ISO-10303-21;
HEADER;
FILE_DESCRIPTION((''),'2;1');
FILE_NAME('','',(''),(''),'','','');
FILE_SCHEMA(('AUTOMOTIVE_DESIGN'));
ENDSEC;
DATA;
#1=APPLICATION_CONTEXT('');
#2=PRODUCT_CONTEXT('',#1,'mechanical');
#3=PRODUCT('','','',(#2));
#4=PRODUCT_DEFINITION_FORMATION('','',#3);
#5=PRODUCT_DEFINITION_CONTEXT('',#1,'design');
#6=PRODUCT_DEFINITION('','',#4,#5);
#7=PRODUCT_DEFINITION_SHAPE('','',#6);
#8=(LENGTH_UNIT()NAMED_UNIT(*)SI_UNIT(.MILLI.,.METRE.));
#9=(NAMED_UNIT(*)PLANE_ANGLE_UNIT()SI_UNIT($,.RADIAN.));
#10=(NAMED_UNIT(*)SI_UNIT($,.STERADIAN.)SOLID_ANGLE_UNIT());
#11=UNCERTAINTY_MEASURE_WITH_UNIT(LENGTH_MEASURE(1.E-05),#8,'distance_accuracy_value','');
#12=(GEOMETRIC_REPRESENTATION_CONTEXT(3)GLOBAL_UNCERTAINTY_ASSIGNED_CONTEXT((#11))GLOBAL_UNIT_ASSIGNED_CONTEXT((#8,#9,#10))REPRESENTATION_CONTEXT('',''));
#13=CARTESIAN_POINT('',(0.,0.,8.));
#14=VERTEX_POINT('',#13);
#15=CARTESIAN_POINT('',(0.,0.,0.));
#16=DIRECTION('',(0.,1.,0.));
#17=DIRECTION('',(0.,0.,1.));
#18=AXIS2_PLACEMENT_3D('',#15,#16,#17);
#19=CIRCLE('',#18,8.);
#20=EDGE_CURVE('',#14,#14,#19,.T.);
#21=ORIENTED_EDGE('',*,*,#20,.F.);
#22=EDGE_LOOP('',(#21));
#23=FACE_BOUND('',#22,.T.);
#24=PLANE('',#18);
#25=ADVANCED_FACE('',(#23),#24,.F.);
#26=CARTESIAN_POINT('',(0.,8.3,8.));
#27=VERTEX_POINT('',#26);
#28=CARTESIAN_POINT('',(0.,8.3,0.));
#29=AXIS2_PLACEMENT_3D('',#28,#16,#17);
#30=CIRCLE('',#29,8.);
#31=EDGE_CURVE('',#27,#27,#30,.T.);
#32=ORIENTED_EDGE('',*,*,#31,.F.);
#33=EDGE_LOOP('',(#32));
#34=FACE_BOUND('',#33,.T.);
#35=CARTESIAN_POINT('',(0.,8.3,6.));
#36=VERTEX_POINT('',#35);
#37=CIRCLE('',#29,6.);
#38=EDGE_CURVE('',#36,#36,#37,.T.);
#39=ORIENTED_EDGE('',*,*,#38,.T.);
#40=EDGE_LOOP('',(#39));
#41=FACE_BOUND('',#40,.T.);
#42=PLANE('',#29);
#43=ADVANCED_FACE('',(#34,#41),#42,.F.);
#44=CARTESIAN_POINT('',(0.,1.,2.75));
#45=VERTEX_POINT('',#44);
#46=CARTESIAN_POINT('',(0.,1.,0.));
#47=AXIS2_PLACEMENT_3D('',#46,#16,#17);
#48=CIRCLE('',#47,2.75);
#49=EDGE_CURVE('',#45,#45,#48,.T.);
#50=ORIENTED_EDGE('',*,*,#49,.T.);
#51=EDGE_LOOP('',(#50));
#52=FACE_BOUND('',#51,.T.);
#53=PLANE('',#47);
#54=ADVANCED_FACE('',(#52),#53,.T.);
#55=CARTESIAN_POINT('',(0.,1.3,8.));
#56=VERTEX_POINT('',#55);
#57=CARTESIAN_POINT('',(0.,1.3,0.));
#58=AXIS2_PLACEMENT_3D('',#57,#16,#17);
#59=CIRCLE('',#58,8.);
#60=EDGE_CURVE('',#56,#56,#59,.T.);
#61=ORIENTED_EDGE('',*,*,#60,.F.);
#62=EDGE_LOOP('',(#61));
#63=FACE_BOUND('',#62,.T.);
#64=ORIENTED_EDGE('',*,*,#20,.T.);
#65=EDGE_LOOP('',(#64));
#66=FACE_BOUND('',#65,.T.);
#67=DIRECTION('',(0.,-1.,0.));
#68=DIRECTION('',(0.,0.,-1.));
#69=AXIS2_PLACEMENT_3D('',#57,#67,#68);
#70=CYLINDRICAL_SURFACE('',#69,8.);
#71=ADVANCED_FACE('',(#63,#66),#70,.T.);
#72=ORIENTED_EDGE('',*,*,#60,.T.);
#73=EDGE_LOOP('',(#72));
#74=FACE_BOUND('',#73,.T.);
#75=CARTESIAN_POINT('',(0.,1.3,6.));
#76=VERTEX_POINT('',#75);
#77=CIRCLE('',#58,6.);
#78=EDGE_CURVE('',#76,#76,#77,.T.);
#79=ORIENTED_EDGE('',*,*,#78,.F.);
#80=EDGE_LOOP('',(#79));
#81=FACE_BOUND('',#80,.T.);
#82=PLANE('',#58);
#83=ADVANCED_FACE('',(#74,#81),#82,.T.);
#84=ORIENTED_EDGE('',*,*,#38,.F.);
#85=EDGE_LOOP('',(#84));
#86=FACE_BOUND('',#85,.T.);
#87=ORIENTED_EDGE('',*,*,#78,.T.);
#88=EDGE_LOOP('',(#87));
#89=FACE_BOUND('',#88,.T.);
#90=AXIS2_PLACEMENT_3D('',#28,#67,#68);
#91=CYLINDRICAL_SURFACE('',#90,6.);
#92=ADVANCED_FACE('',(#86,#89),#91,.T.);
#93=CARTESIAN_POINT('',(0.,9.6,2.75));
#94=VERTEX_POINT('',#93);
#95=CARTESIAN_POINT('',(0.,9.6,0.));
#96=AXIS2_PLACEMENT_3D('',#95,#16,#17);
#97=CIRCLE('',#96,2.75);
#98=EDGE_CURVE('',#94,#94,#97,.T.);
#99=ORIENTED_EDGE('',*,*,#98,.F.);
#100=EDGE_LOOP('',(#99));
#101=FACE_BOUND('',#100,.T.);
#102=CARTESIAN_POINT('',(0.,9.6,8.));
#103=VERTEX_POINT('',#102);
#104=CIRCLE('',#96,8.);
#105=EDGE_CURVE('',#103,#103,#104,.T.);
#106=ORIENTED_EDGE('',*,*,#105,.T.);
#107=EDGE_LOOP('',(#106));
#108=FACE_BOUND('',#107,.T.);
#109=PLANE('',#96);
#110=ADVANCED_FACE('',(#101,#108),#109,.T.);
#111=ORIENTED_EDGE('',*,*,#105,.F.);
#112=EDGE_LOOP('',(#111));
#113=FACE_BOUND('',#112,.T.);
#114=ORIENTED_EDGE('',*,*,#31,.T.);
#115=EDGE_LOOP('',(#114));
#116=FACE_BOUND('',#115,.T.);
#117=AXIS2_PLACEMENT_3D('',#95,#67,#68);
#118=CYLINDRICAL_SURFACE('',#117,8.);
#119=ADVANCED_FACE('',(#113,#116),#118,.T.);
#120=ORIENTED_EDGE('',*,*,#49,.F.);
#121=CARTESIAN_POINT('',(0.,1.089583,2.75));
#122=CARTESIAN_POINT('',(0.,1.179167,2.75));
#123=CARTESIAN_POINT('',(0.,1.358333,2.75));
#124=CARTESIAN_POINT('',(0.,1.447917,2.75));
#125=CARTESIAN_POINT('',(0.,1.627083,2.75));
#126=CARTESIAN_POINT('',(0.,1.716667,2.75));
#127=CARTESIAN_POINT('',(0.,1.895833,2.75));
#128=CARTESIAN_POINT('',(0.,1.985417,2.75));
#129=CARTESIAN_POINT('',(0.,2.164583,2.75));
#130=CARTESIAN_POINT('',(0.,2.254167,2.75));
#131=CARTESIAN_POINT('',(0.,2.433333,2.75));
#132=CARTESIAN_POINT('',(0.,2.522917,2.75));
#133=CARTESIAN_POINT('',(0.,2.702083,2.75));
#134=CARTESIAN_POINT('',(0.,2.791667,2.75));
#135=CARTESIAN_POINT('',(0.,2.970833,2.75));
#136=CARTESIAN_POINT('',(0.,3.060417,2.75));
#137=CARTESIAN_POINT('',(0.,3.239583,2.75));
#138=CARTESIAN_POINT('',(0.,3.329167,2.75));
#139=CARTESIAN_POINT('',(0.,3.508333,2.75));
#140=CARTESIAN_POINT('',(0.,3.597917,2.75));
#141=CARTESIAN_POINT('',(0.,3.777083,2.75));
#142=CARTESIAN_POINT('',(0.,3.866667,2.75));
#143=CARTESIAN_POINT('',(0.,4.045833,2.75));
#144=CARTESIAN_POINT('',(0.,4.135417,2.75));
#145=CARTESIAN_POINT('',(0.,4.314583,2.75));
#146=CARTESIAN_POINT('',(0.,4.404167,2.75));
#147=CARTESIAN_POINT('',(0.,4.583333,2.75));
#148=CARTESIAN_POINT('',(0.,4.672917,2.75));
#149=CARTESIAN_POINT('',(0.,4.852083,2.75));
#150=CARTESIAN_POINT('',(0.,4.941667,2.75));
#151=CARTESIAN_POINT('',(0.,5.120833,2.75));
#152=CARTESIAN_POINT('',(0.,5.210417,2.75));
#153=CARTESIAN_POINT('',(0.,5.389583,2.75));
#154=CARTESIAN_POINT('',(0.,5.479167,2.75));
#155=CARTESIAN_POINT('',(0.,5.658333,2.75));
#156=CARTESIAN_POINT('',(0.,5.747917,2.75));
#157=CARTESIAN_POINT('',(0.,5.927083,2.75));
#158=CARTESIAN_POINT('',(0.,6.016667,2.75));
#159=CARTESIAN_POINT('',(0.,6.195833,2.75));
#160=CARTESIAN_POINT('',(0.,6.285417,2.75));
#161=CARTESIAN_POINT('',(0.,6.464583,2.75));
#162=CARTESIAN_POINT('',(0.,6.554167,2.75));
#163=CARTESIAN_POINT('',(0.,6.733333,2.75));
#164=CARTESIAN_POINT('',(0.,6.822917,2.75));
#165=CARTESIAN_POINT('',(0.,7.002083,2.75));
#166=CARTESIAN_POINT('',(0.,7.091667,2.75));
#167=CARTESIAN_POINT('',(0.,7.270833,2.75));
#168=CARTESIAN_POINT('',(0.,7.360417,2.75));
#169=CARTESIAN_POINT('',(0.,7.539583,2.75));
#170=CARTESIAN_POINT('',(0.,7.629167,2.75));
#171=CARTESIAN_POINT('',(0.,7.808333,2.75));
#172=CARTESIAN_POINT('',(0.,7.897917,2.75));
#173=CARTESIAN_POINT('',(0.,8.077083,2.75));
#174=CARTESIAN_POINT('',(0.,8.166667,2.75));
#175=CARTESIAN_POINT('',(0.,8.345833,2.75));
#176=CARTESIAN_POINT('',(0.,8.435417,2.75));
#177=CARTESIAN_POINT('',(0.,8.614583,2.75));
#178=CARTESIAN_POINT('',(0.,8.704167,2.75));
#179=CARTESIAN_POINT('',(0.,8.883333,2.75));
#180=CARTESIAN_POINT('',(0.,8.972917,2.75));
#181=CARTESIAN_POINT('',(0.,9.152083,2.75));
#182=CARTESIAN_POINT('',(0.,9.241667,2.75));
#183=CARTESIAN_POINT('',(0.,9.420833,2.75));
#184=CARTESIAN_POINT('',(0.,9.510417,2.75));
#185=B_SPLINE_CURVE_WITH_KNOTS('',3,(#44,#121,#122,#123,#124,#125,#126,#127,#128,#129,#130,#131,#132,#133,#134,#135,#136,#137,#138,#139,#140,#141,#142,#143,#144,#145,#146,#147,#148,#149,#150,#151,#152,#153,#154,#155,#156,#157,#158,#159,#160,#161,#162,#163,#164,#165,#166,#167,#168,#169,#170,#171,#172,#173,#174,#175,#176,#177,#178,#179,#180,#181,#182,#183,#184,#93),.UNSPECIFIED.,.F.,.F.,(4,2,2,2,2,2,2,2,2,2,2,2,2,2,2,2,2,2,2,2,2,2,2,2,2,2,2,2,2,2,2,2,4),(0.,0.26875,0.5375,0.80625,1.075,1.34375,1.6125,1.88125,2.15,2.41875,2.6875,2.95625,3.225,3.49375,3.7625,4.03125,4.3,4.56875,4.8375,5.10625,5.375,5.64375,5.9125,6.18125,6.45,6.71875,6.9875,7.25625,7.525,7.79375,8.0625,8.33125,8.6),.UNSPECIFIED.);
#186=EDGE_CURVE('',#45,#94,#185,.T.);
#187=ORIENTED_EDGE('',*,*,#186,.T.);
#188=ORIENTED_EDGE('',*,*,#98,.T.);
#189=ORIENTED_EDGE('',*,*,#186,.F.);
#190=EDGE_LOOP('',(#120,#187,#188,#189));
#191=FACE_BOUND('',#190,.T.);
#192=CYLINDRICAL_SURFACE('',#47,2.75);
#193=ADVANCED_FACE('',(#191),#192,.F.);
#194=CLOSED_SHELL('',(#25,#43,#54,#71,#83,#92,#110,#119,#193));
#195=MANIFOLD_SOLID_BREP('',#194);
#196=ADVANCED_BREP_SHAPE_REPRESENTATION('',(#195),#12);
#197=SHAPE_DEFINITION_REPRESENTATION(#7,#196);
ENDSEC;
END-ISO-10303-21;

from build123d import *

# Parameters (mm, degrees)
SKETCH1_R           = 8
BOSS_EXTRUDE1_DEPTH = 1.3
SKETCH2_R           = 6
BOSS_EXTRUDE2_DEPTH = 7
SKETCH3_R           = 8
BOSS_EXTRUDE3_DEPTH = 1.3
SKETCH4_R           = 2.75
CUT_EXTRUDE1_DEPTH  = 8.6


with BuildPart() as part:
    # Sketch1 → Boss-Extrude1 (new body)
    with BuildSketch(Plane(origin=(0, 0, 0), x_dir=(1, 0, 0), z_dir=(0, 1, 0))):
        with Locations(Location((0, 0, 0), (0, 0, 270))):
            Circle(SKETCH1_R)
    extrude(amount=BOSS_EXTRUDE1_DEPTH)

    # Sketch2 → Boss-Extrude2 (add)
    with BuildSketch(Plane(origin=(0, 1.3, 0), x_dir=(1, 0, 0), z_dir=(0, 1, 0))):
        with Locations(Location((0, 0, 0), (0, 0, 270))):
            Circle(SKETCH2_R)
    extrude(amount=BOSS_EXTRUDE2_DEPTH)

    # Sketch3 → Boss-Extrude3 (add)
    with BuildSketch(Plane(origin=(0, 8.3, 0), x_dir=(1, 0, 0), z_dir=(0, 1, 0))):
        with Locations(Location((0, 0, 0), (0, 0, 270))):
            Circle(SKETCH3_R)
    extrude(amount=BOSS_EXTRUDE3_DEPTH)

    # Sketch4 → Cut-Extrude1 (cut)
    with BuildSketch(Plane(origin=(0, 9.6, 0), x_dir=(1, 0, 0), z_dir=(0, 1, 0))):
        with Locations(Location((0, 0, 0), (0, 0, 270))):
            Circle(SKETCH4_R)
    extrude(amount=-CUT_EXTRUDE1_DEPTH, mode=Mode.SUBTRACT)


solid = part.part
